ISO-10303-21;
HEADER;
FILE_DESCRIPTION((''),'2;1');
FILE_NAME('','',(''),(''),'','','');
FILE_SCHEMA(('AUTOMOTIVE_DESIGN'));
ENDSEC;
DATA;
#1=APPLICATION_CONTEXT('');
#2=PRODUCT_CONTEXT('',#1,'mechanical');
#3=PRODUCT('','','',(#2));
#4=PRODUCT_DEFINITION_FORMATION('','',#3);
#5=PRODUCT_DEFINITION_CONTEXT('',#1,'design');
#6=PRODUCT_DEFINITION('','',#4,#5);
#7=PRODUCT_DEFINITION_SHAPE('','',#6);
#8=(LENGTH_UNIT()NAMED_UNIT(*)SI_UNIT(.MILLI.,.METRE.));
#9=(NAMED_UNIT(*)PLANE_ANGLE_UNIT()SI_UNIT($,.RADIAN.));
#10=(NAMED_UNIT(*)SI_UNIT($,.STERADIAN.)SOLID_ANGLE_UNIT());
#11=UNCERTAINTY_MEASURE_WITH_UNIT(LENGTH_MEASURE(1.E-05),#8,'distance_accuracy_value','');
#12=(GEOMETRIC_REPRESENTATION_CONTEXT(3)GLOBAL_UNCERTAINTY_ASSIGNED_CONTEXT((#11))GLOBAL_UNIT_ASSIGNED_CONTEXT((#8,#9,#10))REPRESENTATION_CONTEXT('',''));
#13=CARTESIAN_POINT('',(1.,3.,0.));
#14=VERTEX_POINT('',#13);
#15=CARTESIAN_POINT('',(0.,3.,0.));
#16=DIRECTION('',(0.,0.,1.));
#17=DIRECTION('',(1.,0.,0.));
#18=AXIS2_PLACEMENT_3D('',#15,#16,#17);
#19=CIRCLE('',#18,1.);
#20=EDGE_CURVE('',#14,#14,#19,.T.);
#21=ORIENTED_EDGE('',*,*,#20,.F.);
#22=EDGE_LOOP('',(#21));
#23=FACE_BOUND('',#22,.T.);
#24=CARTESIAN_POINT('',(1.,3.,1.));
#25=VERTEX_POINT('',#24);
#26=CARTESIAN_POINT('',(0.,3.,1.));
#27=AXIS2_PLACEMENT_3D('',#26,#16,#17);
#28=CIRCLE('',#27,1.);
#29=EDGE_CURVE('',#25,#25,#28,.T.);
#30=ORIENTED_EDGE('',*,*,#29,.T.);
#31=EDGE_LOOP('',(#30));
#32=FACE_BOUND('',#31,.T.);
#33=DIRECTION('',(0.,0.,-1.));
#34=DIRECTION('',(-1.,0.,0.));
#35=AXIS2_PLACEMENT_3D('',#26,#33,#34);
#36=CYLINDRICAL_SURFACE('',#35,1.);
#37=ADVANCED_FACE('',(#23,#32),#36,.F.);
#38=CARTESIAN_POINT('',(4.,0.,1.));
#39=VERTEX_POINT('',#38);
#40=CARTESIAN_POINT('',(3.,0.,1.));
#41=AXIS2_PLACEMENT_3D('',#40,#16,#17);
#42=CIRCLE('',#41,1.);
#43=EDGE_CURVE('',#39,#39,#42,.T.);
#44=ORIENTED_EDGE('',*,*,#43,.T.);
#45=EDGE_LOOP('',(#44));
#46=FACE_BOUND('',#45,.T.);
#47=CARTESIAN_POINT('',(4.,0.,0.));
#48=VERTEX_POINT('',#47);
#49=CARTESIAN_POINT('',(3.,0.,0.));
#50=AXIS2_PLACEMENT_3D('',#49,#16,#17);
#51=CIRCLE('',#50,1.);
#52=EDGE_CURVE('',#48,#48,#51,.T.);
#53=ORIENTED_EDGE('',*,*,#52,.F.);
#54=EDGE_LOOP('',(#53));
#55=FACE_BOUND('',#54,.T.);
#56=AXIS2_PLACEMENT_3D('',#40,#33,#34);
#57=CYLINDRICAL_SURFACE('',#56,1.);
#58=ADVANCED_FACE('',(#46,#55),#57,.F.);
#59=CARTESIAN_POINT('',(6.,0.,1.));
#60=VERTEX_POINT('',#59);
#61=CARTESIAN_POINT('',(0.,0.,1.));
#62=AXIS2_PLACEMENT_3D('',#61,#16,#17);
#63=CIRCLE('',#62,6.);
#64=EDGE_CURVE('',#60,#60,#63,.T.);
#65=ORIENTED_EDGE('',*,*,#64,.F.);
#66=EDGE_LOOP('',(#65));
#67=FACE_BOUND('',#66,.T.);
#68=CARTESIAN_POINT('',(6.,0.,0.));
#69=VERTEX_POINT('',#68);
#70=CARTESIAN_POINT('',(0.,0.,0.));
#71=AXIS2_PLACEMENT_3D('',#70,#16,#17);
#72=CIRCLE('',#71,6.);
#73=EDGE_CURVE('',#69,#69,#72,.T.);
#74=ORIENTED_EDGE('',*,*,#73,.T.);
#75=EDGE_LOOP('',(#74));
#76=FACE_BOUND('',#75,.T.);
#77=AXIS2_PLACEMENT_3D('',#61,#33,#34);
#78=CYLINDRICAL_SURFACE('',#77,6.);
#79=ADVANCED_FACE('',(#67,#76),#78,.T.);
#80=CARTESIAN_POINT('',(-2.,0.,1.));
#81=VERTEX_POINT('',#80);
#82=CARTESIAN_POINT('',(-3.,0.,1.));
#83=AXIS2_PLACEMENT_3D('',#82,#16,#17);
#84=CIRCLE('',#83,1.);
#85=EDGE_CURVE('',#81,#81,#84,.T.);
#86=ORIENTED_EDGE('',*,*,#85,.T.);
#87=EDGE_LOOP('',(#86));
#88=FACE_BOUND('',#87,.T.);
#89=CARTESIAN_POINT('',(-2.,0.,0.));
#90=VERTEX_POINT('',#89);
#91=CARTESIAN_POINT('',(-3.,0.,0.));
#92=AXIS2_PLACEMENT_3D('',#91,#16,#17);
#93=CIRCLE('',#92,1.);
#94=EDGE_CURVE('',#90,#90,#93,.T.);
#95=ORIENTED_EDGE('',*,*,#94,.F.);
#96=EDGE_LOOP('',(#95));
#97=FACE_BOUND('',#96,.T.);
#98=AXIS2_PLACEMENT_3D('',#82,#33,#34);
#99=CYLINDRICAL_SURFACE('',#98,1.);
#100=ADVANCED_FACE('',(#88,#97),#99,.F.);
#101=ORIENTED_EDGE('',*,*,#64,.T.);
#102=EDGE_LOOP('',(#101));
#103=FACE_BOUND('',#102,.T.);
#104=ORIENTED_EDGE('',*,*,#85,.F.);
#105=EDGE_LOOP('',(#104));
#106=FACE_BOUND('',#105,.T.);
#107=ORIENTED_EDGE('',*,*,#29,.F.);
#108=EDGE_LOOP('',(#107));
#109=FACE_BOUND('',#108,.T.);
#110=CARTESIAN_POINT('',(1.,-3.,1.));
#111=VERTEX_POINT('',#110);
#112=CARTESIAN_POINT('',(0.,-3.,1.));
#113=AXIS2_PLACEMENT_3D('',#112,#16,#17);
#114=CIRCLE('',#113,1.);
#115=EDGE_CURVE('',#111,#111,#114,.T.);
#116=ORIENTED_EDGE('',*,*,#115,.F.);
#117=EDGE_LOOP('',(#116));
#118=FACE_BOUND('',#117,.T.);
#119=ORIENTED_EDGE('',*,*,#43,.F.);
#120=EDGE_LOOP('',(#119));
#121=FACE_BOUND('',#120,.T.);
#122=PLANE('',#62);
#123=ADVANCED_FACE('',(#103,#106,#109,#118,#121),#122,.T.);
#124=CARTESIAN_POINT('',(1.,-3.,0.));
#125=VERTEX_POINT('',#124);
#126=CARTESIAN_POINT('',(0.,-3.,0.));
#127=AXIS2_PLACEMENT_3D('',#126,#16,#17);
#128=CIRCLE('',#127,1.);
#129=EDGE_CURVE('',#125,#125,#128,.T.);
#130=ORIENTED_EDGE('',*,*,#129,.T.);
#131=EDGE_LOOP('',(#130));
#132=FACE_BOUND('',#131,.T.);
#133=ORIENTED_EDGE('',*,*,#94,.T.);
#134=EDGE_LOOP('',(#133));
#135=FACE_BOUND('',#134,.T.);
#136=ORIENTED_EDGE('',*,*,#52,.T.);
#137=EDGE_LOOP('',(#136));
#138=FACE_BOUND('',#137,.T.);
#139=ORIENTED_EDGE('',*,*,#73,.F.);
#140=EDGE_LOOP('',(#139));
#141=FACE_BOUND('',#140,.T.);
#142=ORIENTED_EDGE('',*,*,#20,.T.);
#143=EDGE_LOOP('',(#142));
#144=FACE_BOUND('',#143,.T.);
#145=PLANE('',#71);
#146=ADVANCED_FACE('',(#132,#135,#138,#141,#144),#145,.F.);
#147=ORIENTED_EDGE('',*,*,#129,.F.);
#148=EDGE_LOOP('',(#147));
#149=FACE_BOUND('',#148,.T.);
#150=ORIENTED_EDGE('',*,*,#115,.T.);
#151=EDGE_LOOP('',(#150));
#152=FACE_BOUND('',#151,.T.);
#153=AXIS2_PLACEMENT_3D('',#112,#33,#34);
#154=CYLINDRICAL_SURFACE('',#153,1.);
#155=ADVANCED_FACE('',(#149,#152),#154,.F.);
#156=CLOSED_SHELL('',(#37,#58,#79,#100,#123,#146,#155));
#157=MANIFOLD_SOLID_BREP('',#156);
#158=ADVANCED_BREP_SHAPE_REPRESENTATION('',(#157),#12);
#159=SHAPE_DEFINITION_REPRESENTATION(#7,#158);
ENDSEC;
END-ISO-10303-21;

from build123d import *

# Parameters (mm, degrees)
SKETCH_1_R      = 6
SKETCH_1_R_2    = 1
EXTRUDE_1_DEPTH = 1


with BuildPart() as part:
    # ｽｹｯﾁ1 → ﾎﾞｽ - 押し出し1 (new body)
    with BuildSketch(Plane.XY):
        Circle(SKETCH_1_R)
        with Locations((0, 3)):
            Circle(SKETCH_1_R_2, mode=Mode.SUBTRACT)
        with Locations((3, 0)):
            Circle(SKETCH_1_R_2, mode=Mode.SUBTRACT)
        with Locations((0, -3)):
            Circle(SKETCH_1_R_2, mode=Mode.SUBTRACT)
        with Locations((-3, 0)):
            Circle(SKETCH_1_R_2, mode=Mode.SUBTRACT)
    extrude(amount=EXTRUDE_1_DEPTH)


solid = part.part
